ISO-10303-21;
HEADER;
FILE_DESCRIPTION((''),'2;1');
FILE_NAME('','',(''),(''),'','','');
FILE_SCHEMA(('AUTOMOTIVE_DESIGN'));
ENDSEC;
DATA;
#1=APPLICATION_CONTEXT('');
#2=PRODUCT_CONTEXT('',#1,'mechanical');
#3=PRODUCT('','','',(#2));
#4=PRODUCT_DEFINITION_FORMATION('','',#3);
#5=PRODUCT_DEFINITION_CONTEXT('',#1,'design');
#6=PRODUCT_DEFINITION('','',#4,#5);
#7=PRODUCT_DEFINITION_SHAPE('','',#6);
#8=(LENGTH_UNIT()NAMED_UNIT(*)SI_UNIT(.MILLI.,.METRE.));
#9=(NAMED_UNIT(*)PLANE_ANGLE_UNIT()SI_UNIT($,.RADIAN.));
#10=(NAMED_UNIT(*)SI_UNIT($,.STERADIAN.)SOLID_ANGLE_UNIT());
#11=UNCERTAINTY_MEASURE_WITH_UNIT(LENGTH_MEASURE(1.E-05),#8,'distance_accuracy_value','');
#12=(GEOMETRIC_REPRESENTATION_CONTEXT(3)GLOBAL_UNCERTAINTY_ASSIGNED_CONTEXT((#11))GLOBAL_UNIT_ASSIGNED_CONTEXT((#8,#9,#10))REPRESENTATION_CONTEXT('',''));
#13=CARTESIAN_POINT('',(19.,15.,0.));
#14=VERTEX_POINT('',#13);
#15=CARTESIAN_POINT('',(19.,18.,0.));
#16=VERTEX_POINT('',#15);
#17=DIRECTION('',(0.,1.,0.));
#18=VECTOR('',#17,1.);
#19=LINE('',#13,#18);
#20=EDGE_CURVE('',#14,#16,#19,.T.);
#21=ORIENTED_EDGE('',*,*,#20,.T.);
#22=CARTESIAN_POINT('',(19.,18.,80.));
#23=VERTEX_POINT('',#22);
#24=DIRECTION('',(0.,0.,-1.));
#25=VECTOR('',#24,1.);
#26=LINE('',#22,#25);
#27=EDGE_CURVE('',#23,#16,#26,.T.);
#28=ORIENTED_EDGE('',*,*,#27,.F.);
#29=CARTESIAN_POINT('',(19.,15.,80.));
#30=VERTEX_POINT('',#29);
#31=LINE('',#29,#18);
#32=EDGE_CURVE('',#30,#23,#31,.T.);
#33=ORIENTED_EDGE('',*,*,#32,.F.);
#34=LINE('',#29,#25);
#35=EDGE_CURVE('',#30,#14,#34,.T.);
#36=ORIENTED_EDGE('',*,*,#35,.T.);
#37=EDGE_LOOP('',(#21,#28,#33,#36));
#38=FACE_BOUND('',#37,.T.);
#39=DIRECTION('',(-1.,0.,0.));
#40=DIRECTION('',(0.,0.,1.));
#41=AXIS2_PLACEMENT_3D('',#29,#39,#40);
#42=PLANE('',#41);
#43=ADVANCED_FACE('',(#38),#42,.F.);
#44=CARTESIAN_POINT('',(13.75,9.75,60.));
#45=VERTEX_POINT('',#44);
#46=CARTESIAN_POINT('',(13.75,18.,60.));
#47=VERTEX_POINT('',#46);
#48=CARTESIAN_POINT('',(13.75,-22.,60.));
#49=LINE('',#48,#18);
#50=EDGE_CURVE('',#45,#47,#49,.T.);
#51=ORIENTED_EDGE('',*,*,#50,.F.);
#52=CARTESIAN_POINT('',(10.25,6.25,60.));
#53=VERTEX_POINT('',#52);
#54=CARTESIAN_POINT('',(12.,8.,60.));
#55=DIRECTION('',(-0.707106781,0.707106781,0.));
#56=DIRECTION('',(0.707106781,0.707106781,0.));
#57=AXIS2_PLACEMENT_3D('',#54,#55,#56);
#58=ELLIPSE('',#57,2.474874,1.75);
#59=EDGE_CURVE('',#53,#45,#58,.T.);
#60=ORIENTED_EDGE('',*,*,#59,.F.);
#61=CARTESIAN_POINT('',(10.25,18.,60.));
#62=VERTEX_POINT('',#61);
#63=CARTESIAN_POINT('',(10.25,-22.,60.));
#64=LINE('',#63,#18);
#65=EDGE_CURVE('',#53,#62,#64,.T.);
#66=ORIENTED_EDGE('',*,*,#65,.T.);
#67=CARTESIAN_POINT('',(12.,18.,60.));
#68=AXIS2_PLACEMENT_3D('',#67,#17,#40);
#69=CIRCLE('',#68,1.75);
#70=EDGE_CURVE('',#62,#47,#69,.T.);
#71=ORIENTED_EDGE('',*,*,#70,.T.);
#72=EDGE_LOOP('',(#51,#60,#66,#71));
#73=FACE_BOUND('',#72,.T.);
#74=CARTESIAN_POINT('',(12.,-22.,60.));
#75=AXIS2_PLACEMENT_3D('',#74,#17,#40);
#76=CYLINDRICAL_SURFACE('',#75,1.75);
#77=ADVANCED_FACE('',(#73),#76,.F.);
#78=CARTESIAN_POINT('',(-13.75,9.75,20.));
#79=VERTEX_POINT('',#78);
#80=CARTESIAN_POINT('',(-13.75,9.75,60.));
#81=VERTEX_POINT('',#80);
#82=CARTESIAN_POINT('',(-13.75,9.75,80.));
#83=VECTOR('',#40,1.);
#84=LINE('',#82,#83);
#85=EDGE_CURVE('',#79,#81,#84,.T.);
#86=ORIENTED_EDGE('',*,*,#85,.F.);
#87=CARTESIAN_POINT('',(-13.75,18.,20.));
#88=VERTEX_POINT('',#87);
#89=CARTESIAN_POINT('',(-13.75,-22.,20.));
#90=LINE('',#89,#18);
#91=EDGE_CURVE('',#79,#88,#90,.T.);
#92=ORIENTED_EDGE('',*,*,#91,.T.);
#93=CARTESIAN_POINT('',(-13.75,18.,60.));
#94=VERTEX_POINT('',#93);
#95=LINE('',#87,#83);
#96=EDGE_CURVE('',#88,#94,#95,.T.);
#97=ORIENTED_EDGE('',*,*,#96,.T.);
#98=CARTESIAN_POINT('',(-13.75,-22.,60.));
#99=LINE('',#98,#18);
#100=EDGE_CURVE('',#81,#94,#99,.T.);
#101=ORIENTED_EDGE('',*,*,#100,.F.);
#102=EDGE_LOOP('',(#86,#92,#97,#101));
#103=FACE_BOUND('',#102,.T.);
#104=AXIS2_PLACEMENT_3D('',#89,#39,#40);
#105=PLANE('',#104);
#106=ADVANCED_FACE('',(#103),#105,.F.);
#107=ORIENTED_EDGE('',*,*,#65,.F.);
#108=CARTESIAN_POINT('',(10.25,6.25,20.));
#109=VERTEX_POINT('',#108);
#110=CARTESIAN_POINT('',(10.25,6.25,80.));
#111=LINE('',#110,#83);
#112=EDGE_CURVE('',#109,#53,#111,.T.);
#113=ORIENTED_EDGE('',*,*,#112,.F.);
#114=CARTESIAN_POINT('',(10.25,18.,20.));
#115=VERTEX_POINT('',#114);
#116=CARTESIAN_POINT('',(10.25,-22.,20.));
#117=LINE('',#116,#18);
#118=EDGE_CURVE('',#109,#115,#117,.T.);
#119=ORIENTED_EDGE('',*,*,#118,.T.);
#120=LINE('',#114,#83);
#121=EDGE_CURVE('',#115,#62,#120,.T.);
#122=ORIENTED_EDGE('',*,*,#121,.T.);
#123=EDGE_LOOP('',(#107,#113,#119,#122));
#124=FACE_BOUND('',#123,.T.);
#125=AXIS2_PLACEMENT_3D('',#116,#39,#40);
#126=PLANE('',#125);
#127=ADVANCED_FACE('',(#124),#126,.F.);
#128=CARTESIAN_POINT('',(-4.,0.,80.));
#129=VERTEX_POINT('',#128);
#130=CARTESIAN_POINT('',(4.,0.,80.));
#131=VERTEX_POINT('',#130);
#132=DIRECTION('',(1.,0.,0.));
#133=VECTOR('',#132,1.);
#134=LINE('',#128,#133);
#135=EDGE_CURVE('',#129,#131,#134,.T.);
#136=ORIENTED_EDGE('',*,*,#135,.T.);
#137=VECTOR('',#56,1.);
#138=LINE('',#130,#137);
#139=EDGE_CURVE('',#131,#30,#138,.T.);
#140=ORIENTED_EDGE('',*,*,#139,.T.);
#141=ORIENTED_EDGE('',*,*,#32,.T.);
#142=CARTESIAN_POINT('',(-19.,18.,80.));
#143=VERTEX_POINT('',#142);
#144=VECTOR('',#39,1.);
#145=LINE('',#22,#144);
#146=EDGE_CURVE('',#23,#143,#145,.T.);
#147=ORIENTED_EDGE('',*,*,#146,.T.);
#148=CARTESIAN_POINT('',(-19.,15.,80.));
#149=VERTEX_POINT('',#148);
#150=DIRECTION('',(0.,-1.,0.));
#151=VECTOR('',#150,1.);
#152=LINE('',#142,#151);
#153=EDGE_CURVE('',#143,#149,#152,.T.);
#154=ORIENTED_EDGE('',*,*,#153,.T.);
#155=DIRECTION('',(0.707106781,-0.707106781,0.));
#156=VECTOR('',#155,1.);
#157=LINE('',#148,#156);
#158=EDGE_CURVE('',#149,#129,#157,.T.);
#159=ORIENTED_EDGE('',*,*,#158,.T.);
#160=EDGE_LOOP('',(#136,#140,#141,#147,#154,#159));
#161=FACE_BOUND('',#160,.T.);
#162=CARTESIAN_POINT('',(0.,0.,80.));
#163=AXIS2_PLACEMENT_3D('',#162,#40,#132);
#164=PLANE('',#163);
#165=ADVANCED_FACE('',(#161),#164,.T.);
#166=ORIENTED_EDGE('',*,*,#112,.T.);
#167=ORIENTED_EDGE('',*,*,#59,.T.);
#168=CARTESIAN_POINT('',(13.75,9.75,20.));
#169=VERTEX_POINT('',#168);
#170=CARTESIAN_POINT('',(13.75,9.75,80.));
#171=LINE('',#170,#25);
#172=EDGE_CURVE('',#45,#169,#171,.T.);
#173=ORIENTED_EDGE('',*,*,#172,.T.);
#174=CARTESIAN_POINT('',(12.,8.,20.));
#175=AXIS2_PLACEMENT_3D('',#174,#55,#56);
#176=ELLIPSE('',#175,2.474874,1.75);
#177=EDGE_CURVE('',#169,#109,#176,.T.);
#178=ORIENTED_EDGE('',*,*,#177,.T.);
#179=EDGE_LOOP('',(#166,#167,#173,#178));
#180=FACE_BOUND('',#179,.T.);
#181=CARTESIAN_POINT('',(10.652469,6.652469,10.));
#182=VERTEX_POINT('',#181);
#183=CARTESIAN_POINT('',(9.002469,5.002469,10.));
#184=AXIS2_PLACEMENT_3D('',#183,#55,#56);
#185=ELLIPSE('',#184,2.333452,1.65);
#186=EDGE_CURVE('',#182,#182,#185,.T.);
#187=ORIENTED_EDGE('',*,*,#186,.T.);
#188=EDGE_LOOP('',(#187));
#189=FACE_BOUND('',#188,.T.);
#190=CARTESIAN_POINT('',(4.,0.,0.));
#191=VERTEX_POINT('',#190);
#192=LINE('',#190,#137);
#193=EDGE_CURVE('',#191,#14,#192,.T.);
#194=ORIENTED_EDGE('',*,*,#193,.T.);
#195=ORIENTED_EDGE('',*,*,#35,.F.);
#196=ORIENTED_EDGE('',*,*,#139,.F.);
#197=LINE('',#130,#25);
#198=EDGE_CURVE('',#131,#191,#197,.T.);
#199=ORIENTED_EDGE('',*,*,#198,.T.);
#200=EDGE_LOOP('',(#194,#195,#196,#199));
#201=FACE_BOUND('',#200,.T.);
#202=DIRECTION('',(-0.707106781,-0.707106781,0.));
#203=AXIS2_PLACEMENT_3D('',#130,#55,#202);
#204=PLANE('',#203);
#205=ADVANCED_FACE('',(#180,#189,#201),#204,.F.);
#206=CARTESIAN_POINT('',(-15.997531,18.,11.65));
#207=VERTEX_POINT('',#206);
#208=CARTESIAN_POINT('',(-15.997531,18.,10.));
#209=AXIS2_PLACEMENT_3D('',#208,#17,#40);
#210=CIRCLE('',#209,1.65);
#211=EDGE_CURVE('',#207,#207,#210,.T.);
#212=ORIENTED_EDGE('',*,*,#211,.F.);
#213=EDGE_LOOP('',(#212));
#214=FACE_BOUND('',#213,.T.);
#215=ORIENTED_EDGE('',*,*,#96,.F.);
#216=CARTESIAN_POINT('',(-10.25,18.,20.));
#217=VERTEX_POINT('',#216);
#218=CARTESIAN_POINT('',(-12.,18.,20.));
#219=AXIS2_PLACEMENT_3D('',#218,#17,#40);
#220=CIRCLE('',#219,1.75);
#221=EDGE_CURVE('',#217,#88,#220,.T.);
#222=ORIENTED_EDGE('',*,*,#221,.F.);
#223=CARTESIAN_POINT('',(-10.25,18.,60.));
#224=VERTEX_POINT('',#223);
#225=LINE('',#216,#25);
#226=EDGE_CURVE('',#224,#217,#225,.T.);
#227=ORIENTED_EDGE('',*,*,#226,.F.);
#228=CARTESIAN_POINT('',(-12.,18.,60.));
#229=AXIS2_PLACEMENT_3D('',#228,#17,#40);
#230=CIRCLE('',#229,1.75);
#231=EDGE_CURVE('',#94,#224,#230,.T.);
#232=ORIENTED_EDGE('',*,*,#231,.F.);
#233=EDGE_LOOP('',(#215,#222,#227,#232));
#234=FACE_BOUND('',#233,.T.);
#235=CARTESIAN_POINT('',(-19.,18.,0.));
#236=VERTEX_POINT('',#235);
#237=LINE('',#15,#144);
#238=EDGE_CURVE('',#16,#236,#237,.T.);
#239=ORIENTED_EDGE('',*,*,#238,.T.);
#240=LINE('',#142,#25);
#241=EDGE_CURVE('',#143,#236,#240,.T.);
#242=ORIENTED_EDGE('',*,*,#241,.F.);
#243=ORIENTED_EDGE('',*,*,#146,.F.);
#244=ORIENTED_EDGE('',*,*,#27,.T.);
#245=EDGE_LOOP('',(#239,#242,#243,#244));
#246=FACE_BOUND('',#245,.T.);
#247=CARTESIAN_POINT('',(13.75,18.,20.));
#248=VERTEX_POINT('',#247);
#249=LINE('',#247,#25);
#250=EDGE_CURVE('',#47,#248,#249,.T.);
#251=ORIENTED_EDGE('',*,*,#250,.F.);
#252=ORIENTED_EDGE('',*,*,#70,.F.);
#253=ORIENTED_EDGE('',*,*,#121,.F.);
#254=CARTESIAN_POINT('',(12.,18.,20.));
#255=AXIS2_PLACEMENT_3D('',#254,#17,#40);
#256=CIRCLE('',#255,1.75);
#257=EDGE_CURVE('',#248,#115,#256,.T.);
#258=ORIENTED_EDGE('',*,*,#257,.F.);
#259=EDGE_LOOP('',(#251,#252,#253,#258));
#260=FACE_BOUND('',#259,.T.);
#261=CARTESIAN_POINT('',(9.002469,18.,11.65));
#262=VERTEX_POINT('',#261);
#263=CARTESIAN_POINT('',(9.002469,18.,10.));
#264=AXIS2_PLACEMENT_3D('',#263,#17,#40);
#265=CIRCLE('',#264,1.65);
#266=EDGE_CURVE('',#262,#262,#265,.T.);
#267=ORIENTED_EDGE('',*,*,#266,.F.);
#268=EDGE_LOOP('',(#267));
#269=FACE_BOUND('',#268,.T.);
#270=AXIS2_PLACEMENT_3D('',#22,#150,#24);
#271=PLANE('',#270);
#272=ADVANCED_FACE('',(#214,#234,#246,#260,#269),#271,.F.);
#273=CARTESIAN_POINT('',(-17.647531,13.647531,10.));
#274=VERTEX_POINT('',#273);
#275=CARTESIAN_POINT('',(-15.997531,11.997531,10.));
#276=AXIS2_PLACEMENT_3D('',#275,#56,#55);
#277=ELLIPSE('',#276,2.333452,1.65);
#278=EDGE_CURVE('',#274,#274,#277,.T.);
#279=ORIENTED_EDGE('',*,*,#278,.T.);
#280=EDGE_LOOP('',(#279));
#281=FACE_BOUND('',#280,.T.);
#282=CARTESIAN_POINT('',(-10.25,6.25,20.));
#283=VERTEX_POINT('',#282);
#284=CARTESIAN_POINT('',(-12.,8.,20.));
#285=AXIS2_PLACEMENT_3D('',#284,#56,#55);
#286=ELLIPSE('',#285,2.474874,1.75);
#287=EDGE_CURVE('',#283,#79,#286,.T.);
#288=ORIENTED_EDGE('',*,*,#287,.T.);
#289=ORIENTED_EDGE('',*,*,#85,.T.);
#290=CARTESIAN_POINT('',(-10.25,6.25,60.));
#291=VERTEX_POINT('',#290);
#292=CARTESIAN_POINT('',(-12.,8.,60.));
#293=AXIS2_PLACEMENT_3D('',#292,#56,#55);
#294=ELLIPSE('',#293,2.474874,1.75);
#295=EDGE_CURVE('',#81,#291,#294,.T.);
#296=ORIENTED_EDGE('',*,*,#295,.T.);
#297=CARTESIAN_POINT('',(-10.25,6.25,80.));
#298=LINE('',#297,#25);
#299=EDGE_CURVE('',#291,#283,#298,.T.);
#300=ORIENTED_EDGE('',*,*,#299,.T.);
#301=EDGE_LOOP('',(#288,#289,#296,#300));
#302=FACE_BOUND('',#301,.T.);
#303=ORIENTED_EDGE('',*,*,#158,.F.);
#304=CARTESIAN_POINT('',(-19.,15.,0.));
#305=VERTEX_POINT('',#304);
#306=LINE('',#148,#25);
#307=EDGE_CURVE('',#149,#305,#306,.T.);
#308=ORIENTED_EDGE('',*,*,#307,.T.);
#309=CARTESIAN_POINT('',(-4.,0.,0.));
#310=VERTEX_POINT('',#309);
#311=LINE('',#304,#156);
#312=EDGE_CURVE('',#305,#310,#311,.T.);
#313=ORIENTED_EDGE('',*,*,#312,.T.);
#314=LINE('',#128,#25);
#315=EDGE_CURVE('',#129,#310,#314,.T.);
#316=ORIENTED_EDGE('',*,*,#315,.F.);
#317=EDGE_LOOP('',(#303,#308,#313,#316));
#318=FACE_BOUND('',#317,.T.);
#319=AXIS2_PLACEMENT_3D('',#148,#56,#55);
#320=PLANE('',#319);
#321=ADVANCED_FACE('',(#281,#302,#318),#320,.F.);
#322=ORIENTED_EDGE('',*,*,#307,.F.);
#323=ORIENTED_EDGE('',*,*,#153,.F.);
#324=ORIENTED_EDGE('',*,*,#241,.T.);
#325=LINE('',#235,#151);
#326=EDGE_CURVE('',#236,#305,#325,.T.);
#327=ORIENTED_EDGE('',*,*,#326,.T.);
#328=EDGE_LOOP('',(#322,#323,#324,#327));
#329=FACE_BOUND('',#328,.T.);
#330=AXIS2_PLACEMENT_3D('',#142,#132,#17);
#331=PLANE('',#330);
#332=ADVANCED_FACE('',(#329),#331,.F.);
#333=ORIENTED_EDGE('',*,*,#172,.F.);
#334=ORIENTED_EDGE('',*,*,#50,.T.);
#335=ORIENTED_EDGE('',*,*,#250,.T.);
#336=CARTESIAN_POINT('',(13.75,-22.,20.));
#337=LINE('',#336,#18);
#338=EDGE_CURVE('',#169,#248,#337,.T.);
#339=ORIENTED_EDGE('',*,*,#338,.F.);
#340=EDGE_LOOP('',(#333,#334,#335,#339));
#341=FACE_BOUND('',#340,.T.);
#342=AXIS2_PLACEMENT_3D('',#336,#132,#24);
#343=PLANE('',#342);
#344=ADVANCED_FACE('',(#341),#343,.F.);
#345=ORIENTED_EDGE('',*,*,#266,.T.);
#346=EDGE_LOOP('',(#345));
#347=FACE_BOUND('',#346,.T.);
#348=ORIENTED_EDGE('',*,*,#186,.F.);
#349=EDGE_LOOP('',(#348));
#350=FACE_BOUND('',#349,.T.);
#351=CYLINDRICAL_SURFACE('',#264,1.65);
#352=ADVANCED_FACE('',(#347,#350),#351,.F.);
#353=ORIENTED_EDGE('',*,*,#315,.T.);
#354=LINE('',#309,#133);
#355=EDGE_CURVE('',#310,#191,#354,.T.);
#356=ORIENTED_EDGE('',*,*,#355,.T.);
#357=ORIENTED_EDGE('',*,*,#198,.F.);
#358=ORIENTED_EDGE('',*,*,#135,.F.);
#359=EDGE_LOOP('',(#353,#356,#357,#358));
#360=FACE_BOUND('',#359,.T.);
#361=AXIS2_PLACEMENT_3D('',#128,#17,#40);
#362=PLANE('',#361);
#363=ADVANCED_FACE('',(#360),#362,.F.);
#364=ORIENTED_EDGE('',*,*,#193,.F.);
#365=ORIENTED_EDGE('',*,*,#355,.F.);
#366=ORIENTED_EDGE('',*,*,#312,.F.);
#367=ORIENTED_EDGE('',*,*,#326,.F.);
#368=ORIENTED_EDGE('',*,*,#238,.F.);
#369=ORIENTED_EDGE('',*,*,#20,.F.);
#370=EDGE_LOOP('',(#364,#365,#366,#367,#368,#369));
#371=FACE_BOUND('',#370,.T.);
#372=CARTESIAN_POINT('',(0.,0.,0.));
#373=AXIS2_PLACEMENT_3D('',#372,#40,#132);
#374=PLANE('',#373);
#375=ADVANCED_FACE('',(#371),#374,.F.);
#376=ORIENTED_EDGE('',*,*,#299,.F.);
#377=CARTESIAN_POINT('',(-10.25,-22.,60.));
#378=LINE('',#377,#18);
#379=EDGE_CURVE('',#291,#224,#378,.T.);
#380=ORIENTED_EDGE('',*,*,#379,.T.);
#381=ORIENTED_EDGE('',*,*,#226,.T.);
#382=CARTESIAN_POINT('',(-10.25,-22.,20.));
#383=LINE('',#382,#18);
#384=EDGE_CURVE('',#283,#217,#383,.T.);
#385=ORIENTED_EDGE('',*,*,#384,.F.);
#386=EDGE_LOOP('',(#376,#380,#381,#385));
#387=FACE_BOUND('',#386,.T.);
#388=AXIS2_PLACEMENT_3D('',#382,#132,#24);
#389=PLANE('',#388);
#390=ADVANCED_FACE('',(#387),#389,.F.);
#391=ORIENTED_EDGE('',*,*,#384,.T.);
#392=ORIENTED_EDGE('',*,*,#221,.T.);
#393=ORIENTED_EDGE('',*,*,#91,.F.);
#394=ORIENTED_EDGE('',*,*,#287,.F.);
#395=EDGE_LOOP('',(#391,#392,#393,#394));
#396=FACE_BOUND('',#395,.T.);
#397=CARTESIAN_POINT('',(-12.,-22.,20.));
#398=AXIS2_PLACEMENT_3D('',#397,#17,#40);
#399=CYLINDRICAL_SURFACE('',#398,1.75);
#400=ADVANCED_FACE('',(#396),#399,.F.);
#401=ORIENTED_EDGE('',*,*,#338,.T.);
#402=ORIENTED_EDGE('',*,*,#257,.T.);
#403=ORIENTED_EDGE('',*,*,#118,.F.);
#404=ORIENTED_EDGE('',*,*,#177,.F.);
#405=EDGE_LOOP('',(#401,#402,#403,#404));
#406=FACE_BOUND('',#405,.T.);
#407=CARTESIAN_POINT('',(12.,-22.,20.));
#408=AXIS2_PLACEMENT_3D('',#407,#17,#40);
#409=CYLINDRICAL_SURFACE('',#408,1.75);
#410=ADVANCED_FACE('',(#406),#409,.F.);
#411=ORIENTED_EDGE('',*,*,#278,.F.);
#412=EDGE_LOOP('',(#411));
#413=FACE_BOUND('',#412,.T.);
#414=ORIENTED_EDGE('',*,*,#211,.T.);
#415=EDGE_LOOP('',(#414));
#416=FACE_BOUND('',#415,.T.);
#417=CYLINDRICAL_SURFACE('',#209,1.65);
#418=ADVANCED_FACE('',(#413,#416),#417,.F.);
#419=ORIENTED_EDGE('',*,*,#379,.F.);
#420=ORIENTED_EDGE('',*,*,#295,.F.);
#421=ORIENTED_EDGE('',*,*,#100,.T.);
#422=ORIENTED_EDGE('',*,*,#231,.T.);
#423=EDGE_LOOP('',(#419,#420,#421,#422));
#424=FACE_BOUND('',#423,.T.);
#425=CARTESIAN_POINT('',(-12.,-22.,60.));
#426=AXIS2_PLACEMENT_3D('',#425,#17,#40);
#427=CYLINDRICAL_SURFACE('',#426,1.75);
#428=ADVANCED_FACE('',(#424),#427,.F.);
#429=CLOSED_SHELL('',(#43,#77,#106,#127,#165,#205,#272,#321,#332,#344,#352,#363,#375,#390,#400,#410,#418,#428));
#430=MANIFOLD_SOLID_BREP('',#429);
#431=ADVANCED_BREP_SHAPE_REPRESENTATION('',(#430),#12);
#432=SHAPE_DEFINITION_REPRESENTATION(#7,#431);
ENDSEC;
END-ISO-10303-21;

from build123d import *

# Parameters (mm, degrees)
BOSS_EXTRUDE1_DEPTH   = 80
CUT_EXTRUDE1_DEPTH    = 40
M4X0_7_TAPPED_HOLE1_D = 3.3


with BuildPart() as part:
    # Sketch1 → Boss-Extrude1 (new body)
    with BuildSketch(Plane.XY):
        Polygon((-4, 0), (4, 0), (19, 15), (19, 18), (-19, 18), (-19, 15), align=None)
    extrude(amount=BOSS_EXTRUDE1_DEPTH)

    # Sketch2 → Cut-Extrude1 (cut)
    with BuildSketch(Plane(origin=(0, 18, 0), x_dir=(1, 0, 0), z_dir=(0, 1, 0))):
        with BuildLine():
            Line((-10.25, -20), (-10.25, -60))
            ThreePointArc((-10.25, -60), (-12, -61.75), (-13.75, -60))
            Line((-13.75, -60), (-13.75, -20))
            ThreePointArc((-13.75, -20), (-12, -18.25), (-10.25, -20))
        make_face()
        with BuildLine():
            Line((13.75, -20), (13.75, -60))
            ThreePointArc((13.75, -60), (12, -61.75), (10.25, -60))
            Line((10.25, -60), (10.25, -20))
            ThreePointArc((10.25, -20), (12, -18.25), (13.75, -20))
        make_face()
    extrude(amount=-CUT_EXTRUDE1_DEPTH, mode=Mode.SUBTRACT)

    # M4x0.7 Tapped Hole1 (through all)
    with Locations(Plane(origin=(0, 18, 0), x_dir=(1, 0, 0), z_dir=(0, 1, 0))):
        with Locations((9.00246861, -10), (-15.99753139, -10)):
            Hole(M4X0_7_TAPPED_HOLE1_D / 2)


solid = part.part
